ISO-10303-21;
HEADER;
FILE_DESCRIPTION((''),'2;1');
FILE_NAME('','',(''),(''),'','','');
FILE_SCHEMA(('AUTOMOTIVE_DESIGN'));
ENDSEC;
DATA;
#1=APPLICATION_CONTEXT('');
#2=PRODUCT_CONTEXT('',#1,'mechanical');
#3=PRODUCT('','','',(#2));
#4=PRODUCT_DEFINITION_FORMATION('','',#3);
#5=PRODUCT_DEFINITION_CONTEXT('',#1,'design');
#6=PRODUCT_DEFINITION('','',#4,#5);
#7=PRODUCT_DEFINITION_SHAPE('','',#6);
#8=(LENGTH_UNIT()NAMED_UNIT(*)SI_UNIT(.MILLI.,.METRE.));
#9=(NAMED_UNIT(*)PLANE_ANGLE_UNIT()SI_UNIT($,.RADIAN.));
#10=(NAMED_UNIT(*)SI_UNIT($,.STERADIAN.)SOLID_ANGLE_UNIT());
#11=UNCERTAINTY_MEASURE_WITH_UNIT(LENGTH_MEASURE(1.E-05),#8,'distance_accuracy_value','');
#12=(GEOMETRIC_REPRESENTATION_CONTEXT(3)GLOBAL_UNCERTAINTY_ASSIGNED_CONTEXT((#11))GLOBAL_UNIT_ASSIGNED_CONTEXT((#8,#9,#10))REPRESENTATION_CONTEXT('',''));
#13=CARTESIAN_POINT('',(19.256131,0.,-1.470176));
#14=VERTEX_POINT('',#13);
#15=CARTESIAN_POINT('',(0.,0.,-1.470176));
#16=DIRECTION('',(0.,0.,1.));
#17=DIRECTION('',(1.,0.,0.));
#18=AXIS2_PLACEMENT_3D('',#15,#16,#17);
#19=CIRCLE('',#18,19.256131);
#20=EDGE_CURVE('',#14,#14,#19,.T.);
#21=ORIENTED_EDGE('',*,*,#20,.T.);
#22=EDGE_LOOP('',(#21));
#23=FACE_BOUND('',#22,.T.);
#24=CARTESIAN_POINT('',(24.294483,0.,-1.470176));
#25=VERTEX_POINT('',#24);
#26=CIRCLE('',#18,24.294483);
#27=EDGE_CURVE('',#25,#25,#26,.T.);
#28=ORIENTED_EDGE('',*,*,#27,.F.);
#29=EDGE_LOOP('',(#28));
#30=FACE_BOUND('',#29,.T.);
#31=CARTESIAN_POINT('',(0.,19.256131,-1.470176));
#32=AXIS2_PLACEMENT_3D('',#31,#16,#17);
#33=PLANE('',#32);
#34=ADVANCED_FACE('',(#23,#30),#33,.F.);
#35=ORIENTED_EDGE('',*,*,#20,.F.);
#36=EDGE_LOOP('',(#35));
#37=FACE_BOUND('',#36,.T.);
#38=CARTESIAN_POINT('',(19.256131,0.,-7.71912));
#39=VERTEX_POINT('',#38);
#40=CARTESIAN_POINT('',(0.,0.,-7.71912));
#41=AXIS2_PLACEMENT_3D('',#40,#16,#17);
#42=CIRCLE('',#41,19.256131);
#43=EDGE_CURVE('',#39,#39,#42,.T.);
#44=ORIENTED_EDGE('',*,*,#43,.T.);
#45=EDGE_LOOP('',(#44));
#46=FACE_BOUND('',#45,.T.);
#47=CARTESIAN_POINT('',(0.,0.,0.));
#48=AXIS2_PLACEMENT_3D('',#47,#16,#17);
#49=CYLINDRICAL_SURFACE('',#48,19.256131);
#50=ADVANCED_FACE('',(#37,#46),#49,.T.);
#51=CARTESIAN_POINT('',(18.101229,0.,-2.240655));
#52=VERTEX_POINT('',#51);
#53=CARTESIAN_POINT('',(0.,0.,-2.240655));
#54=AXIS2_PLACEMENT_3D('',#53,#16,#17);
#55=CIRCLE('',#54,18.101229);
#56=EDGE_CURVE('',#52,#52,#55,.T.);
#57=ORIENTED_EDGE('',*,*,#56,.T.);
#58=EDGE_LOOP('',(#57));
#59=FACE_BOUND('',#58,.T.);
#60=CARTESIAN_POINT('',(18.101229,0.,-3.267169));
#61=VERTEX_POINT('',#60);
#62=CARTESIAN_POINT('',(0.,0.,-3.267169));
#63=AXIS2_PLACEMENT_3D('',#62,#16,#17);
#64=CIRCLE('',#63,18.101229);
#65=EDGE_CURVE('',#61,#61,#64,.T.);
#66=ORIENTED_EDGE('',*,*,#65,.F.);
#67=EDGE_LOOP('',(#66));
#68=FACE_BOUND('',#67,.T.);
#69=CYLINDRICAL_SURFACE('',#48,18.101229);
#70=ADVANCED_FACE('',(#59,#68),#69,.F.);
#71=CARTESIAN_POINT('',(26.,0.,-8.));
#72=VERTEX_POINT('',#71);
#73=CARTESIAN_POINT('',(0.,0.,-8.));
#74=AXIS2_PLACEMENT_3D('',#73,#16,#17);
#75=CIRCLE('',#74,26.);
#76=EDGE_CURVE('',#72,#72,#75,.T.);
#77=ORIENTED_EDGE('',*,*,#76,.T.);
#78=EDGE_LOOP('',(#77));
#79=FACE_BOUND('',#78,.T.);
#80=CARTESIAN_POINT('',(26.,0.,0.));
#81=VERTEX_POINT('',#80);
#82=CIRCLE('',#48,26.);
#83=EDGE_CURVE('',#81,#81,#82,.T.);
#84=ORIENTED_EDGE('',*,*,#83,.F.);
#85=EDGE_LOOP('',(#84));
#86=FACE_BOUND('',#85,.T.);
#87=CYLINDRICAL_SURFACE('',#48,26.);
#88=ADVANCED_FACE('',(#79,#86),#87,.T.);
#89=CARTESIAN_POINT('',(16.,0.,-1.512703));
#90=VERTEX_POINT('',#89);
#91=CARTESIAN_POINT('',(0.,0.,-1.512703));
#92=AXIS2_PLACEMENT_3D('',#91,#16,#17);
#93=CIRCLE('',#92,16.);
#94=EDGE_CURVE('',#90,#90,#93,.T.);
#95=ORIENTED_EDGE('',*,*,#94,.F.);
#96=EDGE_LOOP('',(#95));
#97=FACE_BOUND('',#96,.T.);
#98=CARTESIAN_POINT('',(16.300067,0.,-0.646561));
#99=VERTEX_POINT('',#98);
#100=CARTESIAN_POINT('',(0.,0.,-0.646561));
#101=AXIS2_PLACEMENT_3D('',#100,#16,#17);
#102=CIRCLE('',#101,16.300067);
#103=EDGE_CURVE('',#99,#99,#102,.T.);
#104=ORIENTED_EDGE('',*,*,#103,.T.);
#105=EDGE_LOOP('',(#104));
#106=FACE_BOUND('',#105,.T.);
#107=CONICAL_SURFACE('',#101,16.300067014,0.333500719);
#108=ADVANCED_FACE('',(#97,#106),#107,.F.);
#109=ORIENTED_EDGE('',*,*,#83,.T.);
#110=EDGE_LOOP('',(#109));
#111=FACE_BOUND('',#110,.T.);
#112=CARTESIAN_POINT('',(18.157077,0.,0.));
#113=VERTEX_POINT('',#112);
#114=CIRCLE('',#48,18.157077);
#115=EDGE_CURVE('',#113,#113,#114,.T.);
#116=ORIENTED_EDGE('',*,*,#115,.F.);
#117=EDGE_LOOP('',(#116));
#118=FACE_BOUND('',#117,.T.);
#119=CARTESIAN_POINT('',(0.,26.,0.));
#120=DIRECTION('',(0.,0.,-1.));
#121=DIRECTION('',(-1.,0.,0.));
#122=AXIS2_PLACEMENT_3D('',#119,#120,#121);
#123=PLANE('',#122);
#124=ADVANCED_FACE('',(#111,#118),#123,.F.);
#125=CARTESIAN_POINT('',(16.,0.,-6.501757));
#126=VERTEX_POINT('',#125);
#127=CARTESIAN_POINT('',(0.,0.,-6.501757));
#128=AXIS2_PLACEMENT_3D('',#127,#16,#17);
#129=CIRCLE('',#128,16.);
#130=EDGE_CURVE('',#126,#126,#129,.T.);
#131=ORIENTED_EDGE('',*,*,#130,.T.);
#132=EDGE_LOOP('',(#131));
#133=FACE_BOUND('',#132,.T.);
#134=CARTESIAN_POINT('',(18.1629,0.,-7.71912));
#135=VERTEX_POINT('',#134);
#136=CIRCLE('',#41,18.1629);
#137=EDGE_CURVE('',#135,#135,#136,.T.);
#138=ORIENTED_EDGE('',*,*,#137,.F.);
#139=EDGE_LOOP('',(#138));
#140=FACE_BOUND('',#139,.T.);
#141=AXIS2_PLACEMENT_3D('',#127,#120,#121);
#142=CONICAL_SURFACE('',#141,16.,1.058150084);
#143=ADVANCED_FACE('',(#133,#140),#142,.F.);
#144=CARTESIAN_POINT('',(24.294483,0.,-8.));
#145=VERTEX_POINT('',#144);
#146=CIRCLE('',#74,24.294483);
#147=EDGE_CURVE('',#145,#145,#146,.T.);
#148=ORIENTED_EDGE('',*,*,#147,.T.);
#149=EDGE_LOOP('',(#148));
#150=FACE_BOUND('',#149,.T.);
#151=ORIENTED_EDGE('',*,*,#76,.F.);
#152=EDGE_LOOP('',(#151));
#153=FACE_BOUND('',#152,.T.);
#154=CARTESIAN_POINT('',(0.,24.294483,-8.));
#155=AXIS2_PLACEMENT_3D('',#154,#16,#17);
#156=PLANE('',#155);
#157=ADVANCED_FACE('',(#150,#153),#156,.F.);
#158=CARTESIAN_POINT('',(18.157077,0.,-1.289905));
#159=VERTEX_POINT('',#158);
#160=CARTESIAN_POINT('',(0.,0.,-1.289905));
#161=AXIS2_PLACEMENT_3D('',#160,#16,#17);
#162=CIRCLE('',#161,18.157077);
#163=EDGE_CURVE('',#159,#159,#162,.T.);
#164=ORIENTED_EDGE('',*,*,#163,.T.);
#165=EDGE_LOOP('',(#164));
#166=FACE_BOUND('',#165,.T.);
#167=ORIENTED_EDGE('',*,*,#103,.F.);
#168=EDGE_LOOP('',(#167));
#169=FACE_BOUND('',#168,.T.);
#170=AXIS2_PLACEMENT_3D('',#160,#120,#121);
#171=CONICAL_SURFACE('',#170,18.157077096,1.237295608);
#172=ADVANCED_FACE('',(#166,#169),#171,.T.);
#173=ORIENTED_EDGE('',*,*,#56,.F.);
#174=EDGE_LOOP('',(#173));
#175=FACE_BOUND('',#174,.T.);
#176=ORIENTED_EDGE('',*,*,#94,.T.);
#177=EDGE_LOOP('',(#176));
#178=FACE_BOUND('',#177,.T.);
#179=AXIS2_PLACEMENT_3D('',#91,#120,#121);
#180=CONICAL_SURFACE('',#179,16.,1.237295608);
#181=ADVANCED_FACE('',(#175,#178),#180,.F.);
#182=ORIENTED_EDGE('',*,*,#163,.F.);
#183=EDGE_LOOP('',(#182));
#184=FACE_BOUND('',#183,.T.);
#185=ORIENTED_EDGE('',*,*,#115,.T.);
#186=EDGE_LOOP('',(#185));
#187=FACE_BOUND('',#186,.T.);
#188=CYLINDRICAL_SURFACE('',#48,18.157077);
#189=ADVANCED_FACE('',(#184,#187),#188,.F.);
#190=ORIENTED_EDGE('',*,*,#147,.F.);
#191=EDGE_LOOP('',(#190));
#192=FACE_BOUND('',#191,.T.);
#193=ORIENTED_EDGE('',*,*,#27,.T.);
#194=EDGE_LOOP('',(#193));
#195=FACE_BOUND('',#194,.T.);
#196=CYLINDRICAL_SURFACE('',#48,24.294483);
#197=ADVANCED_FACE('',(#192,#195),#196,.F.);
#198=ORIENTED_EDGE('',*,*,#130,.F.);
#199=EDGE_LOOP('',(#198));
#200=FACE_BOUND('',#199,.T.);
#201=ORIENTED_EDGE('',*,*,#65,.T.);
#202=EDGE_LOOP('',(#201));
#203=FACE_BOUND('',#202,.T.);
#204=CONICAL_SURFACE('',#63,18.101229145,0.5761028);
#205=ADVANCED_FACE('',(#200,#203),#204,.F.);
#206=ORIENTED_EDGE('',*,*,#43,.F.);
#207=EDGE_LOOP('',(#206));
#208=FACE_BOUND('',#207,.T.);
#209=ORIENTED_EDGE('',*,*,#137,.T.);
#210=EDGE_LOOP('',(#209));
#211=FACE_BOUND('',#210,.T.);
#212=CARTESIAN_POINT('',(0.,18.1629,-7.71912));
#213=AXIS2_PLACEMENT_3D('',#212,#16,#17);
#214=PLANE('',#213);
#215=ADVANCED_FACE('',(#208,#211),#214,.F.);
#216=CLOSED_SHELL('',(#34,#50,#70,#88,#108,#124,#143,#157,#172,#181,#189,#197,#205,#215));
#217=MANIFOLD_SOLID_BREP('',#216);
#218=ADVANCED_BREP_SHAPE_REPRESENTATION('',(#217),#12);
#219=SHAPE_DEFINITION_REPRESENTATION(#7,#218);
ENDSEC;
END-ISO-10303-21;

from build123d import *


with BuildPart() as part:
    # Sketch1 → Revolve1 (revolve)
    with BuildSketch(Plane(origin=(0, 0, 0), x_dir=(0, 0, -1), z_dir=(1, 0, 0))):
        Polygon((8, 26), (0, 26), (0, 18.157077096), (1.289905359, 18.157077096), (0.646560904, 16.300067014), (1.512702621, 16), (2.240654576, 18.101229145), (3.267168994, 18.101229145), (6.501757282, 16), (7.719119992, 18.162900408), (7.719119992, 19.256131168), (1.470175501, 19.256131168), (1.470175501, 24.294482866), (8, 24.294482866), align=None)
    revolve(axis=Axis((0, 0, 0), (0, 0, -1)))


solid = part.part
